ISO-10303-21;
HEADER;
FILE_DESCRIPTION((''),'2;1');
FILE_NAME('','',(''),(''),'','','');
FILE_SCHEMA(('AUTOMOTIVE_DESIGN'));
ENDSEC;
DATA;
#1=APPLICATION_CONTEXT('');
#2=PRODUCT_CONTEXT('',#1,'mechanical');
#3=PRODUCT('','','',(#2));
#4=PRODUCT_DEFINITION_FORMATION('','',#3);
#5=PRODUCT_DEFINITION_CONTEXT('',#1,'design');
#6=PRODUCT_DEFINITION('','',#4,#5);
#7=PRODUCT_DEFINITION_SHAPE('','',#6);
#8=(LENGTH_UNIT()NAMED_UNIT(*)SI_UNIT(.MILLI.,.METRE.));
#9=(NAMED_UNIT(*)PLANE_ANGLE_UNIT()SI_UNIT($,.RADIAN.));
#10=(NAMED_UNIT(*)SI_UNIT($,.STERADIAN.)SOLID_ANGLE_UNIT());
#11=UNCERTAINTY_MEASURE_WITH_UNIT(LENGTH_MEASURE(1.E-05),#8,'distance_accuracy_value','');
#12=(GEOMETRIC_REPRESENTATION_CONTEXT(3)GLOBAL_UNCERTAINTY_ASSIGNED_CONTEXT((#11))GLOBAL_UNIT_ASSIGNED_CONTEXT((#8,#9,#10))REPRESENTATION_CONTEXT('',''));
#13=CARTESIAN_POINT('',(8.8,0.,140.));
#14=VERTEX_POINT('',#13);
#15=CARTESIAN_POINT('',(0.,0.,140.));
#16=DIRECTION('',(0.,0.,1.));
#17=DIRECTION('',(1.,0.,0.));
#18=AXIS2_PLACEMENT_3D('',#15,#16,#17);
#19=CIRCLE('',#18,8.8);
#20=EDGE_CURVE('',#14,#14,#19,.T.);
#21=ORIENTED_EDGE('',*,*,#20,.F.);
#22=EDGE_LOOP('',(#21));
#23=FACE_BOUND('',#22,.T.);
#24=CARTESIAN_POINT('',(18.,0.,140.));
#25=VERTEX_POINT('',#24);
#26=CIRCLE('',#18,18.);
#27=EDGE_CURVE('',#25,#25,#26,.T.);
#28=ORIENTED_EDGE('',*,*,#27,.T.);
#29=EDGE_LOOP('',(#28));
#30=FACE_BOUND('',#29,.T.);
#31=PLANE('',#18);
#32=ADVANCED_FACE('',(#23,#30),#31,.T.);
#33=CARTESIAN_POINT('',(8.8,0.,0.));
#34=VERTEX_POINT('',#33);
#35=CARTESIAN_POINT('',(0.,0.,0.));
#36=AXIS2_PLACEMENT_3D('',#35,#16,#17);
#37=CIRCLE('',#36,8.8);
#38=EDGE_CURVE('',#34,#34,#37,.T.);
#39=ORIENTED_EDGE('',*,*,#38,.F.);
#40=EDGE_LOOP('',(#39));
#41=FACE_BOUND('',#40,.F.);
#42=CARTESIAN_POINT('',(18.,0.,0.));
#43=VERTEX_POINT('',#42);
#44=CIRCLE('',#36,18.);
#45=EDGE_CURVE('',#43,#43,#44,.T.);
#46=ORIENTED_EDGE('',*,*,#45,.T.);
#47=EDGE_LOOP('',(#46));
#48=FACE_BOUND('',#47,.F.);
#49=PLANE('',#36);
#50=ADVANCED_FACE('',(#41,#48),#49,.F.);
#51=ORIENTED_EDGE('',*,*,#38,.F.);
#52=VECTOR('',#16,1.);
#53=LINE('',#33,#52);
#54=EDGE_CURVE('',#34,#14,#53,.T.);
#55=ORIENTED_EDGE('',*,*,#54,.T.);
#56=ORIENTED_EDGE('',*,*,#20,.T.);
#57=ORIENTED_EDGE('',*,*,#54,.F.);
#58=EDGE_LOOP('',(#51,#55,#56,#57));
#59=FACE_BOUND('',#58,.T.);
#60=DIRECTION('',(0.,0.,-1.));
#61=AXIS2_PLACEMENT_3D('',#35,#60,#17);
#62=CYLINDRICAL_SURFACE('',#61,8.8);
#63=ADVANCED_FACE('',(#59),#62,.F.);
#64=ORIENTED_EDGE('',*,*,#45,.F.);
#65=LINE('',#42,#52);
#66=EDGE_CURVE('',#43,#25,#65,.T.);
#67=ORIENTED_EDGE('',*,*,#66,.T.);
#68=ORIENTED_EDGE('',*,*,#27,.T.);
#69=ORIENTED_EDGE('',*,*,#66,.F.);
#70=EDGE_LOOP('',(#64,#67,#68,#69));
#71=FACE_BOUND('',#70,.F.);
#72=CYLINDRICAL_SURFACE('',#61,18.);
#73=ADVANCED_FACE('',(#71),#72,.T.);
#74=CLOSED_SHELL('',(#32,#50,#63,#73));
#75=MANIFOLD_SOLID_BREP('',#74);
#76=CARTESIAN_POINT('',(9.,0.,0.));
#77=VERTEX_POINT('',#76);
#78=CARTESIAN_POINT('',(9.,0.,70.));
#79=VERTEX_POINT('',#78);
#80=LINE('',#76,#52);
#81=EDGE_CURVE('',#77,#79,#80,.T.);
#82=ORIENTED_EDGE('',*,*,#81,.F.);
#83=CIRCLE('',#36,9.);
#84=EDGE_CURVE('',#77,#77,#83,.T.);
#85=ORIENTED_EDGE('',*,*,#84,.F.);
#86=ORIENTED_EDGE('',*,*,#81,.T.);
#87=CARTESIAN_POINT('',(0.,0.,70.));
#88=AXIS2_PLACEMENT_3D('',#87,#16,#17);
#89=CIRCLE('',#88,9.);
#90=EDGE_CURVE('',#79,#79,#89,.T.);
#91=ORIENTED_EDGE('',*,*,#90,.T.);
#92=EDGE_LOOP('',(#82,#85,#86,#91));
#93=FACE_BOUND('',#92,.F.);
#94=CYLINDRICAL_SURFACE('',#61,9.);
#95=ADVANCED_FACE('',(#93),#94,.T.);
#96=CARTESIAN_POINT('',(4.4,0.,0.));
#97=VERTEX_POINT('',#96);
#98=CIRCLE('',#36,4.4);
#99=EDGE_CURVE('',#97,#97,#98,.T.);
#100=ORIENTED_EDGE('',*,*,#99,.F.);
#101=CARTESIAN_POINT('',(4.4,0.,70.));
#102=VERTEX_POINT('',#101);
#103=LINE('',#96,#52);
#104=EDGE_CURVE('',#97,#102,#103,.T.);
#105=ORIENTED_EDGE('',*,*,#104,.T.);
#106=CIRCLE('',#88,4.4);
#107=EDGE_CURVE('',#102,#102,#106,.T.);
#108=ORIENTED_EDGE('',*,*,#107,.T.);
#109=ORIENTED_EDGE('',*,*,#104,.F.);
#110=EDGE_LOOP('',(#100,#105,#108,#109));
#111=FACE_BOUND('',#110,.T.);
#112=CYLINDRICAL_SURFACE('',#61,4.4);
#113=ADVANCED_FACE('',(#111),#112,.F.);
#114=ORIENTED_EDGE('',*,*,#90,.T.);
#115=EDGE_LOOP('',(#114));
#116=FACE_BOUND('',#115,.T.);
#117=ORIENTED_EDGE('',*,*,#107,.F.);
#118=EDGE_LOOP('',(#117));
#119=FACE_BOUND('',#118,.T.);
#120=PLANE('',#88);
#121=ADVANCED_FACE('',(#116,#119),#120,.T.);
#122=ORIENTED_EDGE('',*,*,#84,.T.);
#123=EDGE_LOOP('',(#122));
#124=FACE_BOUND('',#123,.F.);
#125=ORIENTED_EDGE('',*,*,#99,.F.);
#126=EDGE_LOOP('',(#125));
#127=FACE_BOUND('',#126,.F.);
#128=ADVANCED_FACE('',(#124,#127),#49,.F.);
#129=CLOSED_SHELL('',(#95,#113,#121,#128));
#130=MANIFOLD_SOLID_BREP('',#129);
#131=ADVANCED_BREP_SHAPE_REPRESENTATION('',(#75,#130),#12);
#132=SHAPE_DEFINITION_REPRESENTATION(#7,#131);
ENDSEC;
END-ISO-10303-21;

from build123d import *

# Parameters (mm, degrees)
F0_R     = 9
F0_R_2   = 4.4
F1_DEPTH = 70
F2_SCALE = 2


with BuildPart() as f1:
    # F0 (on Top) → F1 (new body)
    with BuildSketch(Plane.XY):
        Circle(F0_R)
        Circle(F0_R_2, mode=Mode.SUBTRACT)
    extrude(amount=F1_DEPTH)


with BuildPart() as f2_1:
    # F2: copy of F1
    add(f1.part.scale(F2_SCALE))


solid = Compound([f1.part, f2_1.part])
